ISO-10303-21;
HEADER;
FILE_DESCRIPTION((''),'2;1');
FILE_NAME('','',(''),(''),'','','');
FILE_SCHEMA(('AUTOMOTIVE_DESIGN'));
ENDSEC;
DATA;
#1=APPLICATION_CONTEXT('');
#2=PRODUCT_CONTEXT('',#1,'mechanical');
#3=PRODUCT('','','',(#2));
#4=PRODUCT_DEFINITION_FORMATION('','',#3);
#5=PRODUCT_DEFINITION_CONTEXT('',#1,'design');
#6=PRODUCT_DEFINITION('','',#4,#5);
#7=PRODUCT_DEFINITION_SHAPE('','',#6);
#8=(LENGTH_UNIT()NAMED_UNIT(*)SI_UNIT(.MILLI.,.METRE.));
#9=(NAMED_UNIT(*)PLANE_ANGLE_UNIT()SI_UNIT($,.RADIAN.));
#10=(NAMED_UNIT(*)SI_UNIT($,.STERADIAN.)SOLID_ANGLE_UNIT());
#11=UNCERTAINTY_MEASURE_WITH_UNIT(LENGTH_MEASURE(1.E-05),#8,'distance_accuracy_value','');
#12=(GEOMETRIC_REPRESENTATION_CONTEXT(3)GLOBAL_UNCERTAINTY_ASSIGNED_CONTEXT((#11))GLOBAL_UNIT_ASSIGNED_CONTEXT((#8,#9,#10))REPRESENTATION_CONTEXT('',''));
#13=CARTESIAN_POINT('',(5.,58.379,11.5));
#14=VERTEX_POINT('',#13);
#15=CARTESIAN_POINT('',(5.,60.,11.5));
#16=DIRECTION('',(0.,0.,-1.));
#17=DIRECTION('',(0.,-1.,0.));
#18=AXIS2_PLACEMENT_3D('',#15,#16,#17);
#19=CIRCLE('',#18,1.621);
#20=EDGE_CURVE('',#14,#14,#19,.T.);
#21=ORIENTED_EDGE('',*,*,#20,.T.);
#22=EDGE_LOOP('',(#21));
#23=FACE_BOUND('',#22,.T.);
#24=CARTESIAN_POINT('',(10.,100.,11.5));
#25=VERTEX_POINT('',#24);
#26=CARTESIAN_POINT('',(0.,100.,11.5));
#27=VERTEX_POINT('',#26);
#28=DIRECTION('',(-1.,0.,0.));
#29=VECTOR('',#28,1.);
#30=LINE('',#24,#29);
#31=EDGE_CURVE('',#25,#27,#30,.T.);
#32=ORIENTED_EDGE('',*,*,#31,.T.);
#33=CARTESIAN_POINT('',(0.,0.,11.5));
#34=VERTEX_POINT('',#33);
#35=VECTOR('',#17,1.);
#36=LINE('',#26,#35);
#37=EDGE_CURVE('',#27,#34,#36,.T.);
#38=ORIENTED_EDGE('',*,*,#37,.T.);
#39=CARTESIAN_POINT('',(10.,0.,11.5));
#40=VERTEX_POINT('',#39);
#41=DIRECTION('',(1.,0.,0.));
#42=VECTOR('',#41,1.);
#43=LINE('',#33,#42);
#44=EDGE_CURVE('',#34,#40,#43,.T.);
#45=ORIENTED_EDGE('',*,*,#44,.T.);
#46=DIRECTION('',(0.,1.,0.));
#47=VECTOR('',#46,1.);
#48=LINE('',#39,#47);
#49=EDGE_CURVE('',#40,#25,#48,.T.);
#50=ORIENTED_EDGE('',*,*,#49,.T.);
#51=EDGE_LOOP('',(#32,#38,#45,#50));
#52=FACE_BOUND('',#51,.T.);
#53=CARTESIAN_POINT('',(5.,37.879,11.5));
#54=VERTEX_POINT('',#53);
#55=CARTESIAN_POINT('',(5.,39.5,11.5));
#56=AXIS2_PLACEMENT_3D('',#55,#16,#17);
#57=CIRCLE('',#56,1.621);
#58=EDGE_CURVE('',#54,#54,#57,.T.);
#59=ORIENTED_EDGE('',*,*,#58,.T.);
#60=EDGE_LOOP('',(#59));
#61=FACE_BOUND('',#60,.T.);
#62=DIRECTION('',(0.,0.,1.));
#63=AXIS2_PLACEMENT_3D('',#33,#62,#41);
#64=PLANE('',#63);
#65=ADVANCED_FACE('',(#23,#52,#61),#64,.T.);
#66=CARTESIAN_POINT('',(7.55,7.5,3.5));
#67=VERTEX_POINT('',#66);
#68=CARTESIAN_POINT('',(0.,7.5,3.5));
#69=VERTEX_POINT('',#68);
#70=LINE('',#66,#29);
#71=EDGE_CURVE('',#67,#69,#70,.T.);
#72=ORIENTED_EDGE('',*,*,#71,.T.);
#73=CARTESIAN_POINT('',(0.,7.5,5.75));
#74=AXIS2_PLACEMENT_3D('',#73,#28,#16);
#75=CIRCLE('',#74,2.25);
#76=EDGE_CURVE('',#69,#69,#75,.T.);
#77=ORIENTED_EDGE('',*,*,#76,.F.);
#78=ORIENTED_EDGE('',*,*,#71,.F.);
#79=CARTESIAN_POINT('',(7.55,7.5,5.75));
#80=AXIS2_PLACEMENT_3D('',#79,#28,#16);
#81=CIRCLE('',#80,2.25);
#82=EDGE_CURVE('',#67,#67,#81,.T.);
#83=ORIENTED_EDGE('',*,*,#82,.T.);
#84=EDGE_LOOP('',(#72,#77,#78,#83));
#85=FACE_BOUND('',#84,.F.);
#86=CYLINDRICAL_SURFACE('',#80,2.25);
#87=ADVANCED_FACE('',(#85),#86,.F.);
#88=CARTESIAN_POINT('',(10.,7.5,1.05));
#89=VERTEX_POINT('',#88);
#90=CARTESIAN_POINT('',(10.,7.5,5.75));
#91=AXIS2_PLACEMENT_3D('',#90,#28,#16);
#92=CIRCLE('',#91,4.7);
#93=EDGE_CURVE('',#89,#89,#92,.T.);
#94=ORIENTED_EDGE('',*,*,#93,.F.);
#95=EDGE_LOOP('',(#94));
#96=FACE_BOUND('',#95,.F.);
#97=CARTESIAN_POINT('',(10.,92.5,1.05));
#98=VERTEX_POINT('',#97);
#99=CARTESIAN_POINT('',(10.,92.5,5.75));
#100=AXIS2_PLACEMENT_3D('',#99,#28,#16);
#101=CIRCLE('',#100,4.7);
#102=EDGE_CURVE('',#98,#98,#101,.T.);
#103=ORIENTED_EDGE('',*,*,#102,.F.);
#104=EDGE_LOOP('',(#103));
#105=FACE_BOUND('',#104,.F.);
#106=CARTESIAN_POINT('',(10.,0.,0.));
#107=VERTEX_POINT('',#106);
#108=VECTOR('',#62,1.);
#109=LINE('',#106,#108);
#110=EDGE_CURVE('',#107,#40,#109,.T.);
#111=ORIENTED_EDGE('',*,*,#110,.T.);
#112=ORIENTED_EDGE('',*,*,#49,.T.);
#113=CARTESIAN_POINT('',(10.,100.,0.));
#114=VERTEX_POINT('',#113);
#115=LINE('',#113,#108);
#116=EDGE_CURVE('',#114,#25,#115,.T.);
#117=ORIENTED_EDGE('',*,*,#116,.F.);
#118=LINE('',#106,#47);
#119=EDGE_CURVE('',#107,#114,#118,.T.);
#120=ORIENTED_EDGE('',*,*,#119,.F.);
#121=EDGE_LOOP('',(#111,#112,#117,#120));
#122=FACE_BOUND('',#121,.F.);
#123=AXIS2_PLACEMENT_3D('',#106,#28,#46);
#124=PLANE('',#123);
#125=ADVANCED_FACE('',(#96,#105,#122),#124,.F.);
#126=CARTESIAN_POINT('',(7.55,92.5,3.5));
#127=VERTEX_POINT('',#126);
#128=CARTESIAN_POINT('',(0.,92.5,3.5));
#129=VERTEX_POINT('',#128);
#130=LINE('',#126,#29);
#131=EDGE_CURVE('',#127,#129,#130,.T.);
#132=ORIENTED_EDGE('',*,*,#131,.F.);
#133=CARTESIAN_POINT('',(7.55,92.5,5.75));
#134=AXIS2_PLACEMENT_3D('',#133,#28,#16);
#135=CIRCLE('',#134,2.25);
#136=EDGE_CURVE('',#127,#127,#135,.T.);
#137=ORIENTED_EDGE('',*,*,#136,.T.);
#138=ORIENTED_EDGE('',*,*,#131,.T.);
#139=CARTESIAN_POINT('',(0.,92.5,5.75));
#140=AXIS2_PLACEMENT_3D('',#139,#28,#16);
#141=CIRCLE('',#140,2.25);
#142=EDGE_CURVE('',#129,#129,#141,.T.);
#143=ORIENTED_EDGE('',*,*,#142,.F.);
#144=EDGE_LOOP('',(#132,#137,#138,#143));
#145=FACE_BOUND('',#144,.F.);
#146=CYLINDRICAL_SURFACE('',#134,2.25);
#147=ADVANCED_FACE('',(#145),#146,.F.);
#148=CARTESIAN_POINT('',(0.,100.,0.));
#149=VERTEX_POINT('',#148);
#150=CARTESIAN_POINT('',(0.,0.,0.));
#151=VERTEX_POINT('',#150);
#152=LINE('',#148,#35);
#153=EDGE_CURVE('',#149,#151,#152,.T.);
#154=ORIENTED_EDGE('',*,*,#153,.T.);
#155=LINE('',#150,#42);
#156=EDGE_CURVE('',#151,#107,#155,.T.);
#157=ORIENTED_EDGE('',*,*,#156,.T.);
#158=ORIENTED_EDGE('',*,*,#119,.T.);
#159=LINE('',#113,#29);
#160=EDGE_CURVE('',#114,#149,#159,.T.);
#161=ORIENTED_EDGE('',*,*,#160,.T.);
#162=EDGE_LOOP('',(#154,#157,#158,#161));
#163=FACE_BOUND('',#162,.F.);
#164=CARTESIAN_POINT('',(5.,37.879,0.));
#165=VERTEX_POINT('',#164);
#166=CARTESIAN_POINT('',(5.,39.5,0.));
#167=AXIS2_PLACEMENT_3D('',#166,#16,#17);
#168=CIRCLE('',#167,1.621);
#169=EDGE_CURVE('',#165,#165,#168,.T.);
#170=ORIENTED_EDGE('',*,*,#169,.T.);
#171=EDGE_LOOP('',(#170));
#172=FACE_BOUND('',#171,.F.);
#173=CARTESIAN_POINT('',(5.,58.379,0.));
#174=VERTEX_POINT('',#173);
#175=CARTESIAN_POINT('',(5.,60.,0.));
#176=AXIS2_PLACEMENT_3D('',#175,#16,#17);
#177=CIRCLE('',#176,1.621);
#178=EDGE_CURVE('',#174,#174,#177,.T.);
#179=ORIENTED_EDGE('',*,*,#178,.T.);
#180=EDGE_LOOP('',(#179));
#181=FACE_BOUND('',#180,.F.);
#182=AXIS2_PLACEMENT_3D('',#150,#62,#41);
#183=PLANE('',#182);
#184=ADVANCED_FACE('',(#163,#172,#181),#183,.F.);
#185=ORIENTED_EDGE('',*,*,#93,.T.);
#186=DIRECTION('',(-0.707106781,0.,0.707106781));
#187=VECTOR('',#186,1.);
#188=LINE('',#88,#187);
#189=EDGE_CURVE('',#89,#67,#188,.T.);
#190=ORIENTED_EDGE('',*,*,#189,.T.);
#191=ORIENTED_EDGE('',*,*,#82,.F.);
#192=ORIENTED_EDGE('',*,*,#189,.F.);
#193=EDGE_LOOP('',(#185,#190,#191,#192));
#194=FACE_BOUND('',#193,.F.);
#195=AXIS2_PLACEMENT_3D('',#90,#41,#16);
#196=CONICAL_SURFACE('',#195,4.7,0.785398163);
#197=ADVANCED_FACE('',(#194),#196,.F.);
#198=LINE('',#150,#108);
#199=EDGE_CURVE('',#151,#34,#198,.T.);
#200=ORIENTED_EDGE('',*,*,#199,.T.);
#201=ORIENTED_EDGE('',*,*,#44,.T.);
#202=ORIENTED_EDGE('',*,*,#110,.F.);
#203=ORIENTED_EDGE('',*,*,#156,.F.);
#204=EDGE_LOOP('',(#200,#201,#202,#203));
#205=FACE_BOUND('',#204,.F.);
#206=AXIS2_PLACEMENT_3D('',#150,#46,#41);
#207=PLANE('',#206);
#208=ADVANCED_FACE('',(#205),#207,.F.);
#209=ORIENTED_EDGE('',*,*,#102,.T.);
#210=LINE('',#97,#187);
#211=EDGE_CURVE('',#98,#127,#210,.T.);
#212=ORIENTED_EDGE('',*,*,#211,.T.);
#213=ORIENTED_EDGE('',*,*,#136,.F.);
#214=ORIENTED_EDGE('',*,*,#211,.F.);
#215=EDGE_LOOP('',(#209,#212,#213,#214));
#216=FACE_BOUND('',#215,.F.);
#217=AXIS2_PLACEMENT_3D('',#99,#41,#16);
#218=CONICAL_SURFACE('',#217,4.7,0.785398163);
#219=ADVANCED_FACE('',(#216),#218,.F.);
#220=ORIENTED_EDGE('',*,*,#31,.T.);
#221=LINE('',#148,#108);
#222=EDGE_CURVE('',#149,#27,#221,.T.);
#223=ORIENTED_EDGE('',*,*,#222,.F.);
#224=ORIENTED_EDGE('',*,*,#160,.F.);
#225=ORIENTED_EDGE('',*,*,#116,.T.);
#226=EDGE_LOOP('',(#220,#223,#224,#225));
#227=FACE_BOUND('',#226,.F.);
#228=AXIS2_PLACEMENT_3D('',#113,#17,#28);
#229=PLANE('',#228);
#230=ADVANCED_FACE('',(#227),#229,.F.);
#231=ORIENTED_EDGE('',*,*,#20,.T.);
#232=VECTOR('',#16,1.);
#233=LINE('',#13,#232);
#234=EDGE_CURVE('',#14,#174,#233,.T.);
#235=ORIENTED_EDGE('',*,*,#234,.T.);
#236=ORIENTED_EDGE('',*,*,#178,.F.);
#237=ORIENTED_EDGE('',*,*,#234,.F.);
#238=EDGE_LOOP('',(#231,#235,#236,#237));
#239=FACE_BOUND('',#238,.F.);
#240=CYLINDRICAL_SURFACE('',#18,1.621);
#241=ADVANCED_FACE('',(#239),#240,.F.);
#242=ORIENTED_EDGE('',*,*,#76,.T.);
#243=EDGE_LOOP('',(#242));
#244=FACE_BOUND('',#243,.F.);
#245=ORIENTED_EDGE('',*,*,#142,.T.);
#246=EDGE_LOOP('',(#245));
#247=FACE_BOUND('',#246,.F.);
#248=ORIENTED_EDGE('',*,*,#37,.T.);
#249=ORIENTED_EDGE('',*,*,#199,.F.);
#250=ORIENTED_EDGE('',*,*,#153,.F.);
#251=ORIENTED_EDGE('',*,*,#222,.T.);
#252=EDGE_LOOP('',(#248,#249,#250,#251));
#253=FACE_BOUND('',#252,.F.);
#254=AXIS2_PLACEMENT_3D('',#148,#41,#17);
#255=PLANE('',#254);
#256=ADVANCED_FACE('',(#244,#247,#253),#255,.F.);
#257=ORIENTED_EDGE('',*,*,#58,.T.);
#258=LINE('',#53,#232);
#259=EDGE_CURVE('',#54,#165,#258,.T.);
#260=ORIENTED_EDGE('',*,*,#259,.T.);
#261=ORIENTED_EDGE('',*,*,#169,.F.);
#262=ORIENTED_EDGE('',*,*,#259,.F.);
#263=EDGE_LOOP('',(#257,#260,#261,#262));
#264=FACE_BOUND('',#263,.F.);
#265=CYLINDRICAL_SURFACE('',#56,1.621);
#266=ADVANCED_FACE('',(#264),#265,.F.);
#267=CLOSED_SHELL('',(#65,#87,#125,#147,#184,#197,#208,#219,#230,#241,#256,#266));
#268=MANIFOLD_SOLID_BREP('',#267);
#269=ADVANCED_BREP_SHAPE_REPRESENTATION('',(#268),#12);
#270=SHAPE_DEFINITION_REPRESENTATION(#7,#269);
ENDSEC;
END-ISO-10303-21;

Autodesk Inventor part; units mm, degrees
ref_plane "YZ Plane" through (0, 0, 0) normal (1, 0, 0) x (0, 1, 0)
ref_plane "XZ Plane" through (0, 0, 0) normal (0, 1, 0) x (-1, 0, 0)
ref_plane "XY Plane" through (0, 0, 0) normal (0, 0, 1) x (1, 0, 0)
sketch "Sketch1" plane through (0, 0, 0) normal (0, 0, 1) x (1, 0, 0)
  line L0 (0, 0) -> (10, 0)
  line L1 (10, 0) -> (10, 100)
  line L2 (10, 100) -> (0, 100)
  line L3 (0, 100) -> (0, 0)
  dimension "d0" = 10
  dimension "d1" = 100
extrude "Extrusion1" add sketch "Sketch1" along normal blind 11.5
sketch "Sketch2" plane through (0, 0, 11.5) normal (0, 0, 1) x (1, 0, 0)
  line L0 (10, 100) -> (0, 100) projected
  line L1 (0, 0) -> (10, 0) projected
  point P0 (5, 39.5)
  point P1 (5, 60)
  point P2 (5, 100)
  dimension "d4" = 20.5
  dimension "d5" = 40
  dimension "d14" = 39.5
  dimension "d24" = 100
hole "Hole1" at (5, 39.5, 11.5) at (5, 60, 11.5) direction (0, 0, -1) diameter 3.242 end through all thread size "M4x0.7" class "6H" standard "ANSI Metric M Profile"
sketch "Sketch3" plane through (10, 0, 0) normal (1, 0, 0) x (0, 0, -1)
  line L0 (0, 100) -> (-11.5, 100) projected
  line L1 (0, 0) -> (-11.5, 0) projected
  point P0 (-5.75, 92.5)
  point P1 (-5.75, 7.5)
  point P2 (-5.75, 100)
  dimension "d15" = 7.5
  dimension "d16" = 7.5
hole "Hole2" at (10, 92.5, 5.75) at (10, 7.5, 5.75) direction (-1, 0, 0) diameter 4.5 end through all countersink diameter 9.4 countersink angle 90 clearance for "Flat Head Machine Screw" size "M4" standard "Ansi Metric M Profile"
equation "\"d16\" = d15"
properties part number "Pancake_Flexi Pipe Mount" material "Aluminum 6061"
